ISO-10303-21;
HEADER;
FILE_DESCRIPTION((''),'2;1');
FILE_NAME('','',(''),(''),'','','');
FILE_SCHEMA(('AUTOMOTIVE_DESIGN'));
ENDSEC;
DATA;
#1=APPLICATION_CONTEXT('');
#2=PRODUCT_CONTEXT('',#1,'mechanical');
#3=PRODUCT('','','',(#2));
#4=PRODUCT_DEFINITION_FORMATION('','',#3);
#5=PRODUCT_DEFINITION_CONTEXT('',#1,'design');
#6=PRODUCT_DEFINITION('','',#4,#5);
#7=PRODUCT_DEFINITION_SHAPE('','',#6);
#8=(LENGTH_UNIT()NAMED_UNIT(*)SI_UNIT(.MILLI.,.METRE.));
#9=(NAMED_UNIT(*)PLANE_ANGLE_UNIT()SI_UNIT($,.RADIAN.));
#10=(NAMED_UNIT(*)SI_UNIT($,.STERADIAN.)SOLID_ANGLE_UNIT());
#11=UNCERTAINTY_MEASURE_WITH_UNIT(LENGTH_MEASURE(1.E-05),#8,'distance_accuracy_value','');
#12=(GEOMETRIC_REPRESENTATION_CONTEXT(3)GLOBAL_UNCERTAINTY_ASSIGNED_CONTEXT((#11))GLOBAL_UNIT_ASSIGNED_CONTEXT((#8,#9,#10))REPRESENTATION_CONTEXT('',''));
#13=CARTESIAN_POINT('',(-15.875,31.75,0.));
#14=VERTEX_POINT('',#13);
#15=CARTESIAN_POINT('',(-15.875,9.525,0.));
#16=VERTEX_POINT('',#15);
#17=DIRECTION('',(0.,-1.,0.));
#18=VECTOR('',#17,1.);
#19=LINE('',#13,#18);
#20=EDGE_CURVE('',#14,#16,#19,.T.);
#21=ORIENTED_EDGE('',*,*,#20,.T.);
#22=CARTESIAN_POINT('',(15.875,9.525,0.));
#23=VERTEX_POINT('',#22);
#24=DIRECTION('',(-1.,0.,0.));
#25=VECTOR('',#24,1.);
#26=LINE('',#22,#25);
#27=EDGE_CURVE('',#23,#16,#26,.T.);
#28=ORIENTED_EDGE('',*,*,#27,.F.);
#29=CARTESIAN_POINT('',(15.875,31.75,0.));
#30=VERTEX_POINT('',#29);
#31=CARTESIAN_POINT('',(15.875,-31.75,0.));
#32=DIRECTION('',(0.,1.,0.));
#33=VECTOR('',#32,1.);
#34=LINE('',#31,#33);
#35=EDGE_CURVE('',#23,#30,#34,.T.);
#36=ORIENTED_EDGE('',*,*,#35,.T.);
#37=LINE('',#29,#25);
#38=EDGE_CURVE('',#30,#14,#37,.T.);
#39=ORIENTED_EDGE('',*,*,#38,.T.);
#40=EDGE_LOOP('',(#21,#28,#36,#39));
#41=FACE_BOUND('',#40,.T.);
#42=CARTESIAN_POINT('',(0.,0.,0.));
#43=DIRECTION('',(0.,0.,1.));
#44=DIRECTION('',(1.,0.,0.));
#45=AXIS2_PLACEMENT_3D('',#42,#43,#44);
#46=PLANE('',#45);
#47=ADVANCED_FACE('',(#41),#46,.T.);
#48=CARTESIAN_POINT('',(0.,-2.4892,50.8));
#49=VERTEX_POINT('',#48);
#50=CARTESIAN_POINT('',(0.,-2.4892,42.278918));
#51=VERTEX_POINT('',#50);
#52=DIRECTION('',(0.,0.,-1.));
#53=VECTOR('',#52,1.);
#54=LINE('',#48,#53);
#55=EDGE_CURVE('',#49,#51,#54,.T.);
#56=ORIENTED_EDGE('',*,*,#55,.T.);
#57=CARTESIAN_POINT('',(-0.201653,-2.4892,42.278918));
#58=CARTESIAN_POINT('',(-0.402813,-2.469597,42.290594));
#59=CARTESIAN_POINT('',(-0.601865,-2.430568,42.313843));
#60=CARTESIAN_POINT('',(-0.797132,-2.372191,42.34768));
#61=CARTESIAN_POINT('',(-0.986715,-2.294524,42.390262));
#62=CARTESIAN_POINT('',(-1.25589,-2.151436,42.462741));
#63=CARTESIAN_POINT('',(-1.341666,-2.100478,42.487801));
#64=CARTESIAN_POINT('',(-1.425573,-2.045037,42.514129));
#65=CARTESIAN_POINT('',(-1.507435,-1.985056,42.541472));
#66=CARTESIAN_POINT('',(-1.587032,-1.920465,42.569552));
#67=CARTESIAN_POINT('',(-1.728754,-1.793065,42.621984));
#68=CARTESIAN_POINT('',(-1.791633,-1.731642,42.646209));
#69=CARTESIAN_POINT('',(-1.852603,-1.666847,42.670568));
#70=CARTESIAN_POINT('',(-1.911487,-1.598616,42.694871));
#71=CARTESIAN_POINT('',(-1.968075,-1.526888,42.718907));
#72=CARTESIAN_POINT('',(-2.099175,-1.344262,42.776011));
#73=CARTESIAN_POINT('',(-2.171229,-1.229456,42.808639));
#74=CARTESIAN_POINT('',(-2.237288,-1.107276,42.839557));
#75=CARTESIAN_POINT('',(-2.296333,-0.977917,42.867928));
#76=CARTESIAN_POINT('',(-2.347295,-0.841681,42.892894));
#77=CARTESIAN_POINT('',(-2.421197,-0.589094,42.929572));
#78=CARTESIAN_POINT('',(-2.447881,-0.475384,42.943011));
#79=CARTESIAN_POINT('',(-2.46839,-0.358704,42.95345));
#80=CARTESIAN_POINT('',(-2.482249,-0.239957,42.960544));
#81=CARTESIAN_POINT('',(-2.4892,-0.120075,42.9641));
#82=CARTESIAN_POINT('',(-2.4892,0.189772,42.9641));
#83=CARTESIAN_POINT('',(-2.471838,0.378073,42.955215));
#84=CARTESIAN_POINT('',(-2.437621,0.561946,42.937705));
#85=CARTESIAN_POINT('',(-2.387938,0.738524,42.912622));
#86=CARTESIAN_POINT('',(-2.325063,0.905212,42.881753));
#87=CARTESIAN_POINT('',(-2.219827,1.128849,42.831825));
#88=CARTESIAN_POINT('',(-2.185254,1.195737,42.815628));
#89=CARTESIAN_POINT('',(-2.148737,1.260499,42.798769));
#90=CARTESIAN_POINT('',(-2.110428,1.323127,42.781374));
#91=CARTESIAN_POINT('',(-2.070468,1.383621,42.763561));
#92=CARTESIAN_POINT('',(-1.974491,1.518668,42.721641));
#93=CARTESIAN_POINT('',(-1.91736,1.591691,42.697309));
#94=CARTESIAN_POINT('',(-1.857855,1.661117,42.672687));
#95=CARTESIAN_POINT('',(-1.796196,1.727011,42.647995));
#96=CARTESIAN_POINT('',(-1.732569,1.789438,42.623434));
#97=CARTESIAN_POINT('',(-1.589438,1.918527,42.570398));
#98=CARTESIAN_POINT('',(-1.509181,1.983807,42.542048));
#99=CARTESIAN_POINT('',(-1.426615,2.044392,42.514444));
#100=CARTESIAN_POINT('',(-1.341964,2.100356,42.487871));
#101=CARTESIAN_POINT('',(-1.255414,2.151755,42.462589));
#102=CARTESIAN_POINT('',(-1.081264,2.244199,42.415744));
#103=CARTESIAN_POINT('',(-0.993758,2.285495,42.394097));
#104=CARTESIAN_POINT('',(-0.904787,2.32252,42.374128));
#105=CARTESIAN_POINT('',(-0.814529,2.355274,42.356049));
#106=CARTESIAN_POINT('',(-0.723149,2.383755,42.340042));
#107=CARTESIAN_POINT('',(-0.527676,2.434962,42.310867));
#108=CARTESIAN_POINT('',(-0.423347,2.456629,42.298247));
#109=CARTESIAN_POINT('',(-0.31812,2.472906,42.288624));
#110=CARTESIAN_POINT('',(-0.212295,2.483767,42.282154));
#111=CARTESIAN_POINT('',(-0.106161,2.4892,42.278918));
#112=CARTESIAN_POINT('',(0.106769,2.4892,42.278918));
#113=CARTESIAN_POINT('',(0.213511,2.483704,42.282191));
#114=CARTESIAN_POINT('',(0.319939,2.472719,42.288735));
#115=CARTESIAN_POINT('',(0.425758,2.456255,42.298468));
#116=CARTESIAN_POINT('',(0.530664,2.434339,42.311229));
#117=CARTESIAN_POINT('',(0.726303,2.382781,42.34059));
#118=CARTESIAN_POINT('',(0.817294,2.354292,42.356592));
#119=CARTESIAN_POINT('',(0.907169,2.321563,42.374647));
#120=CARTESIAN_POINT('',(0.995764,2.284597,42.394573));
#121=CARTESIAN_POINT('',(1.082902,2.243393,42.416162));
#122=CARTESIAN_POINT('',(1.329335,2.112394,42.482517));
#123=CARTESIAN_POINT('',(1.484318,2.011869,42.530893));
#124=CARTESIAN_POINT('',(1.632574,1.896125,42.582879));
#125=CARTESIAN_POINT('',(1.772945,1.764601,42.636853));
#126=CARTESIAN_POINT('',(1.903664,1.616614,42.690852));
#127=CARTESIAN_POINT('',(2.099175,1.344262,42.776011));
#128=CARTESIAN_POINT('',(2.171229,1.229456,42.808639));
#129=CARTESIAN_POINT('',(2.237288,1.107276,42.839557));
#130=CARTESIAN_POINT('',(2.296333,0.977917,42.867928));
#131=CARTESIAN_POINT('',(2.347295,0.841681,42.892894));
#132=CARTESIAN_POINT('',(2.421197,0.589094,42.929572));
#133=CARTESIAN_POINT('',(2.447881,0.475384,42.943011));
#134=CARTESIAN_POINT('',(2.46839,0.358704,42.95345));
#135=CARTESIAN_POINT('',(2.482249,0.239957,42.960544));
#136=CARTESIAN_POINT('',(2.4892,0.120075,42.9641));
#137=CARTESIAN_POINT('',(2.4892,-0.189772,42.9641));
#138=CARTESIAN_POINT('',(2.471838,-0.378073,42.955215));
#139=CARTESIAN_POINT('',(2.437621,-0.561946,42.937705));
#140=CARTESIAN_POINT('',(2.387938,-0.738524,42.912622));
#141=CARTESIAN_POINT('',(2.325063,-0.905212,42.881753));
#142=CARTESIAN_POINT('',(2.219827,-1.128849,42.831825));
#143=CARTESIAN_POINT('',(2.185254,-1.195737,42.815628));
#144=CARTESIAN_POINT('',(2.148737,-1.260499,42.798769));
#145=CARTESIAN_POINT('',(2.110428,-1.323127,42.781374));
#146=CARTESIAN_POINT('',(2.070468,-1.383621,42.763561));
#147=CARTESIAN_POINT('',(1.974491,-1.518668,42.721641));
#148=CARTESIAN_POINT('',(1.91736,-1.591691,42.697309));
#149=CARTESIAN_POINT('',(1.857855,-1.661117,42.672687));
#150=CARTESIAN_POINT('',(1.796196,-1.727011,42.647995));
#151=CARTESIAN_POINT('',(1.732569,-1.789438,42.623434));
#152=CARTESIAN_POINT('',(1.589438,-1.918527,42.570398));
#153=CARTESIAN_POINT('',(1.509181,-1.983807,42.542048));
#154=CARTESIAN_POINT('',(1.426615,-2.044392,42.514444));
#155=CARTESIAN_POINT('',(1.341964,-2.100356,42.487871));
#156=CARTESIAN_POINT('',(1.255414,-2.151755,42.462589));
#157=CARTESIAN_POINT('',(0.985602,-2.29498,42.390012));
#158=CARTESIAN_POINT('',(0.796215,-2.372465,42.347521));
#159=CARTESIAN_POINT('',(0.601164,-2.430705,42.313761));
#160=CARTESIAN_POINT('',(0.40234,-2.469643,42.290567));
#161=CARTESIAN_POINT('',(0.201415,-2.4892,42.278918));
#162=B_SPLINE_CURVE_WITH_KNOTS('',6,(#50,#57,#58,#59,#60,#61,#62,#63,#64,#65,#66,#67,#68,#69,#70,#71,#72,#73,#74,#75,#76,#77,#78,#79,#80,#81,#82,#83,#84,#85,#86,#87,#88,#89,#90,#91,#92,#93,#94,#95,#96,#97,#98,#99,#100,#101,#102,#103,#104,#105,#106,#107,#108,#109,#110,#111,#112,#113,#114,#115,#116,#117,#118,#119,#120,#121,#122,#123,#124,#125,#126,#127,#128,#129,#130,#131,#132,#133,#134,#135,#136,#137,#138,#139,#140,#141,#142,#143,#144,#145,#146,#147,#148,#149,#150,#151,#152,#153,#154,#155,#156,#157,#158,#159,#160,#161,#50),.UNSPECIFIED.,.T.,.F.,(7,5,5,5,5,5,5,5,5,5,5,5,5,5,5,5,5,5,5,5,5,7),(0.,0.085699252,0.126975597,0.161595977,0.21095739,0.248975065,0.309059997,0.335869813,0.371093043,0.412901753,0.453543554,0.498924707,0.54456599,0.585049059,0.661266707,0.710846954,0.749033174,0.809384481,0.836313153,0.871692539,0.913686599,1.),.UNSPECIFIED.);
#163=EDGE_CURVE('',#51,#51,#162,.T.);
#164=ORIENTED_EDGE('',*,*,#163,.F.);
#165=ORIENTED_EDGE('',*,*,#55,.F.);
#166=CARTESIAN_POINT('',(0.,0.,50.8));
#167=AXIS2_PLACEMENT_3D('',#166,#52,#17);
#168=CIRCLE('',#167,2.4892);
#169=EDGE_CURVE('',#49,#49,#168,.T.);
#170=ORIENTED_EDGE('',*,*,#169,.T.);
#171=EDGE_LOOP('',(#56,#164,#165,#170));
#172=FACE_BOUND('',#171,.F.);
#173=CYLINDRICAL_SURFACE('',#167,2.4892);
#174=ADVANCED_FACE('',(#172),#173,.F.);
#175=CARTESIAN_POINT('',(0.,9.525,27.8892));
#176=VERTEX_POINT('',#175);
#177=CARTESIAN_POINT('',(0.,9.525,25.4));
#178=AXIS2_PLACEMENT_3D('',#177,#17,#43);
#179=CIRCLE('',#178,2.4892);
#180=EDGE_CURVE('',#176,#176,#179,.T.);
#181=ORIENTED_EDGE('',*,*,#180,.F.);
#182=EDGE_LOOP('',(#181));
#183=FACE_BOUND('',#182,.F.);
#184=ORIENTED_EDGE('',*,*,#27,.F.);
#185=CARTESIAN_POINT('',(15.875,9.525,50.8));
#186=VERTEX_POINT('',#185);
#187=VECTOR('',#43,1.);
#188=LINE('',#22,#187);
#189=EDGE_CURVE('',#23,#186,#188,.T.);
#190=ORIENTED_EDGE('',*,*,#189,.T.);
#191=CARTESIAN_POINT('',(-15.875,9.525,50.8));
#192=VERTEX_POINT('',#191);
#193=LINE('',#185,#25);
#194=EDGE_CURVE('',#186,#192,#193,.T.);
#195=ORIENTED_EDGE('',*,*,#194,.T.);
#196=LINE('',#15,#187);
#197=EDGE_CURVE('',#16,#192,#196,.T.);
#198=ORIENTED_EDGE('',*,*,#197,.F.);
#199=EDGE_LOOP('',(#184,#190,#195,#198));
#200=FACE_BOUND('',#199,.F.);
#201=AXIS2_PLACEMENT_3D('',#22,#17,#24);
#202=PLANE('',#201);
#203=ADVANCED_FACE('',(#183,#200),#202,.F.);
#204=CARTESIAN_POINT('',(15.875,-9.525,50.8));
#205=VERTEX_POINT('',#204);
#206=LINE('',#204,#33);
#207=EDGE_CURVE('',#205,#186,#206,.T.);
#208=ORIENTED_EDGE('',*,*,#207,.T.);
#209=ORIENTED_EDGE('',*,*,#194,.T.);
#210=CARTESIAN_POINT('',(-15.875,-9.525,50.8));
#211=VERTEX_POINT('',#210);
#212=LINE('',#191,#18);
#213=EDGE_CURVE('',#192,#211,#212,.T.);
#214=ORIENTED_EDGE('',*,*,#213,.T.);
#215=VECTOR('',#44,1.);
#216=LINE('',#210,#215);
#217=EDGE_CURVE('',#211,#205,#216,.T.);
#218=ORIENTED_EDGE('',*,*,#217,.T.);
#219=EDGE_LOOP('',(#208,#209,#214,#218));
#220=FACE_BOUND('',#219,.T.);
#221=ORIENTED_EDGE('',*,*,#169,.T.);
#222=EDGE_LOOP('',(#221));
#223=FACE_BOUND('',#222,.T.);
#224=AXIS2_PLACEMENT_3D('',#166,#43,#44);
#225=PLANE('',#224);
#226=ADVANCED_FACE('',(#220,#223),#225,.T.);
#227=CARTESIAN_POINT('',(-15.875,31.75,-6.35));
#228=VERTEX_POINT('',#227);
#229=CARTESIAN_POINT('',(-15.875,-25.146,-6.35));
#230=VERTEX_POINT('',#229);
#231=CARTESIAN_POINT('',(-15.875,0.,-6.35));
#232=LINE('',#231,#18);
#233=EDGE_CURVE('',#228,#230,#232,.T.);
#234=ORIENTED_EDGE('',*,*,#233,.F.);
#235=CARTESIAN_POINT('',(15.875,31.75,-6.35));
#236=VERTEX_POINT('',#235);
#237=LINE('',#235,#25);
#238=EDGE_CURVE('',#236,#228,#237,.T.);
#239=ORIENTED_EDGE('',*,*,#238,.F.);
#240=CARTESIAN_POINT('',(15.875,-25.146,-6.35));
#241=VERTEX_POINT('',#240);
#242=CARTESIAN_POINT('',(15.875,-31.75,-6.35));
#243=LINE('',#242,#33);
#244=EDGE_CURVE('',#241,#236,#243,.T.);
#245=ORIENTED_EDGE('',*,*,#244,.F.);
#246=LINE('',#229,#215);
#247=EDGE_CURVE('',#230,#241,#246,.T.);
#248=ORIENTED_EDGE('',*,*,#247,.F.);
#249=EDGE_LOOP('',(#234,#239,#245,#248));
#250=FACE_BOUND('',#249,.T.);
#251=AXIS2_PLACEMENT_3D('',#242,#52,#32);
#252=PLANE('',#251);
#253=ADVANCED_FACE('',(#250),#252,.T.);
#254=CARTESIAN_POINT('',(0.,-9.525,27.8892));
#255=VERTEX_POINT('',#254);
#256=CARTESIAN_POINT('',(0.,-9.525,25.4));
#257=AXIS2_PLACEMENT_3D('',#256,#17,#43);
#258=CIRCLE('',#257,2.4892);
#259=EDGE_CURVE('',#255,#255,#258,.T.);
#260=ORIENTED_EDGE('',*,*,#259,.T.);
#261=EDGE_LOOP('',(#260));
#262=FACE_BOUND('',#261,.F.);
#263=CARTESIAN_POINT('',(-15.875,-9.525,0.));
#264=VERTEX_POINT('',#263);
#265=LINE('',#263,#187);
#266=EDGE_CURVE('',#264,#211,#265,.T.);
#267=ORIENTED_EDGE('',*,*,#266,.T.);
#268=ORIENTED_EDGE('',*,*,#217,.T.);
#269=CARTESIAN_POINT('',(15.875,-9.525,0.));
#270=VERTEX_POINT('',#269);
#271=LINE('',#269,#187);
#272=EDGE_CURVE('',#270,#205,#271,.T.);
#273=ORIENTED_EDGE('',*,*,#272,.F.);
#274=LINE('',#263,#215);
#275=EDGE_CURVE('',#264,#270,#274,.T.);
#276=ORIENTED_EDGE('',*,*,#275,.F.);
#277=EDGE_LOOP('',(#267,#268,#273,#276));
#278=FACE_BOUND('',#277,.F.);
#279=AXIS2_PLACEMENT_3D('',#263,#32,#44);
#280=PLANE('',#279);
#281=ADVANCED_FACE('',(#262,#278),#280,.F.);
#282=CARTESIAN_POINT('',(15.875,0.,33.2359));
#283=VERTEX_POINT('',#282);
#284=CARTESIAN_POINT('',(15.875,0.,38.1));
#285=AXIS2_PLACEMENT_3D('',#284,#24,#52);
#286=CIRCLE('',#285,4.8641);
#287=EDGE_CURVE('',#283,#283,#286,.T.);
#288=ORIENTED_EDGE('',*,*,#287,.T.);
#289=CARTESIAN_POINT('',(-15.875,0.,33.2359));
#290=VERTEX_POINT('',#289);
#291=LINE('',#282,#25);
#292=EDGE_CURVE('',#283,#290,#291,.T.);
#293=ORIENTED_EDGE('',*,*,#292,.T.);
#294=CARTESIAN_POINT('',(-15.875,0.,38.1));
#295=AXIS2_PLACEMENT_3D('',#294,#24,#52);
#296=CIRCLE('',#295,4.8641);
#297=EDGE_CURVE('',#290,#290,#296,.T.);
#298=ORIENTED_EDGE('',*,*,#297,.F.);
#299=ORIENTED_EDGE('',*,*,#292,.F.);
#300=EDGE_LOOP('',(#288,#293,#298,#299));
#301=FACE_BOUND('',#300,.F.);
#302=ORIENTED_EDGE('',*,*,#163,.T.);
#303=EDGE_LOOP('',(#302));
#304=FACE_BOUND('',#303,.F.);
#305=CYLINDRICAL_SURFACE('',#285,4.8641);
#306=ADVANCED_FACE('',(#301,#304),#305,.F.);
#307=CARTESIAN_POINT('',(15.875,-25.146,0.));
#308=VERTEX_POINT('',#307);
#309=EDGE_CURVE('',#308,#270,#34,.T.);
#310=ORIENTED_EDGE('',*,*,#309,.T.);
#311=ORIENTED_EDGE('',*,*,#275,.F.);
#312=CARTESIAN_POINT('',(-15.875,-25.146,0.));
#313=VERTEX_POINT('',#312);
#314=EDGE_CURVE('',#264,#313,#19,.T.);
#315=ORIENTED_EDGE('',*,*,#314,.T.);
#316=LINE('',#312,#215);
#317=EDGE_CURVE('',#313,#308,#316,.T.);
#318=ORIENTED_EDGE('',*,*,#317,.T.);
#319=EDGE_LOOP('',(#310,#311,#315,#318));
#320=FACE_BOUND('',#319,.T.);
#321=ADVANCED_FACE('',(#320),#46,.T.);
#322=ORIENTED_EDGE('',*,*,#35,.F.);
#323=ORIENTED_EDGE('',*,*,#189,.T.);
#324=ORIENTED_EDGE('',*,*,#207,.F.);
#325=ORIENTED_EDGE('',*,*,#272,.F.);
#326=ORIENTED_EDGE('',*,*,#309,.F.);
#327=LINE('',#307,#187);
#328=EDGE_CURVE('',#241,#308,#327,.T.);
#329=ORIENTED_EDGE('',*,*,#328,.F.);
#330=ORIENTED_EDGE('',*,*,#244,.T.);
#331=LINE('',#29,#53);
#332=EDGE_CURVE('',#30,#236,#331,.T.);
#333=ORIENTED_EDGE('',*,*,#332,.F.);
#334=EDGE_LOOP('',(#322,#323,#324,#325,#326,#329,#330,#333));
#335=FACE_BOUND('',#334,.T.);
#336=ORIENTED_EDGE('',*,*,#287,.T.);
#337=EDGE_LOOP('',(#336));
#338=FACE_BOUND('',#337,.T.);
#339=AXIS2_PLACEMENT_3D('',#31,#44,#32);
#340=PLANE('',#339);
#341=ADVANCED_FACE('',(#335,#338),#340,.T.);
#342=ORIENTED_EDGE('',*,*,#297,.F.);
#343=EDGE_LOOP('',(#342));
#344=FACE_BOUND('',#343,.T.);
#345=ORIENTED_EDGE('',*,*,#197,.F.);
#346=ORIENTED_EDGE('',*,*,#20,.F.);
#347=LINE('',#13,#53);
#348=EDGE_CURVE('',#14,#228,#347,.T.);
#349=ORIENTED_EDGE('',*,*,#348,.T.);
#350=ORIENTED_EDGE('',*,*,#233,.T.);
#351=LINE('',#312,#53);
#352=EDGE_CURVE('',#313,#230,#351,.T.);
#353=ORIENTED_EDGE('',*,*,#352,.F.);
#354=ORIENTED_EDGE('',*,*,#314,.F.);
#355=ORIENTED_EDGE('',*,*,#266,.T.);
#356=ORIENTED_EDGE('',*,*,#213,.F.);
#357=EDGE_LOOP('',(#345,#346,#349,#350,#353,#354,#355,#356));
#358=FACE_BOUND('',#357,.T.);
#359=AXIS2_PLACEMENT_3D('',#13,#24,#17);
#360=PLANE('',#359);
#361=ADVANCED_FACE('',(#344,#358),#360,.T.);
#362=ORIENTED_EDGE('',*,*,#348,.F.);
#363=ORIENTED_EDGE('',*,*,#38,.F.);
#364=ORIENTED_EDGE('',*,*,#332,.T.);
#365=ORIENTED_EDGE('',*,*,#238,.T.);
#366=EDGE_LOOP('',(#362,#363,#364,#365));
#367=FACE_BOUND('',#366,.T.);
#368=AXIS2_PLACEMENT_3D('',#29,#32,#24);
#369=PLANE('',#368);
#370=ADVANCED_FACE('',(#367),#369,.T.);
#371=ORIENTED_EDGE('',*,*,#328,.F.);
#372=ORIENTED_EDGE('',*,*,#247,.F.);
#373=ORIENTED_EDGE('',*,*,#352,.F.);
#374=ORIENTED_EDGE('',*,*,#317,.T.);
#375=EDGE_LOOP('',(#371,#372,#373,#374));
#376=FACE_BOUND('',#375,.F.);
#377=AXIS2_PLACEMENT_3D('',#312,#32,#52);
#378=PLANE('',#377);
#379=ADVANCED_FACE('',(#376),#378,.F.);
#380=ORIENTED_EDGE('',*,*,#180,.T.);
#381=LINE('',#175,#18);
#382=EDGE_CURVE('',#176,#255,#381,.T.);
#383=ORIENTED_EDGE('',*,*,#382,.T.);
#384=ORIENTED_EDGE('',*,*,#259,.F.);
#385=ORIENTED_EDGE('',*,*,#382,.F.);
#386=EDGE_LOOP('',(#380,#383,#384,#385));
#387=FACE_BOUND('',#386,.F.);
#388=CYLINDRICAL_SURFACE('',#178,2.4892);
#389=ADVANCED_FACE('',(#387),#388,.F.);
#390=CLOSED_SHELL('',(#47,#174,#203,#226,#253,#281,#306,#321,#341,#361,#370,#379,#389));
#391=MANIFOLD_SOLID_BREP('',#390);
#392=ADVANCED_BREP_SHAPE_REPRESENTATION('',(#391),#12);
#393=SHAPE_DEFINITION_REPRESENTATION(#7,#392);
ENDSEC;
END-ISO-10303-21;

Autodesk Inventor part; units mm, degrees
ref_plane "YZ Plane" through (0, 0, 0) normal (1, 0, 0) x (0, 1, 0)
ref_plane "XZ Plane" through (0, 0, 0) normal (0, 1, 0) x (-1, 0, 0)
ref_plane "XY Plane" through (0, 0, 0) normal (0, 0, 1) x (1, 0, 0)
sketch "Sketch1" plane through (0, 0, 0) normal (0, 0, 1) x (1, 0, 0)
  line L0 (-15.875, -31.75) -> (15.875, -31.75)
  line L1 (15.875, -31.75) -> (15.875, 31.75)
  line L2 (15.875, 31.75) -> (-15.875, 31.75)
  line L3 (-15.875, 31.75) -> (-15.875, -31.75)
  line L4 (-15.875, -31.75) -> (15.875, 31.75) construction
  line L5 (15.875, -31.75) -> (-15.875, 31.75) construction
  point P0 (0, 0)
  dimension "height" = 63.5
  dimension "width" = 31.75
extrude "Extrusion1" add sketch "Sketch1" against normal blind 12.7
sketch "Sketch3" plane through (0, 0, 0) normal (0, 0, 1) x (1, 0, 0)
  line L0 (-15.875, -9.525) -> (15.875, -9.525)
  line L1 (15.875, -9.525) -> (15.875, 9.525)
  line L2 (15.875, 9.525) -> (-15.875, 9.525)
  line L3 (-15.875, 9.525) -> (-15.875, -9.525)
  line L4 (-15.875, -9.525) -> (15.875, 9.525) construction
  line L5 (15.875, -9.525) -> (-15.875, 9.525) construction
  line L6 (15.875, 31.75) -> (-15.875, 31.75) projected
  point P0 (0, 0)
  dimension "Channel_Width" = 19.05
  dimension "d52" = 31.75
extrude "Extrusion3" add sketch "Sketch3" along normal blind 50.8
sketch "Sketch6" plane through (15.875, -31.75, -12.7) normal (1, 0, 0) x (0, 0, -1)
  line L0 (-12.7, 31.75) -> (-63.5, 31.75) construction
  line L1 (-63.5, 22.225) -> (-63.5, 41.275) construction
  line L2 (-12.7, 41.275) -> (-12.7, 63.5) construction
  point P0 (-50.8, 31.75)
  dimension "d53" = 38.1
hole "Hole5" at (15.875, 0, 38.1) direction (-1, 0, 0) diameter 9.7282 end through all thread size "7/16-20 UNF" class "2B" standard "ANSI Unified Screw Threads"
sketch "Sketch13" plane through (15.875, -31.75, -12.7) normal (1, 0, 0) x (0, 0, -1)
  line L0 (-12.7, 63.5) -> (0, 63.5) projected
  line L1 (0, 0) -> (-6.35, 0)
  line L2 (-6.35, 0) -> (-6.35, 63.5)
  line L3 (-6.35, 63.5) -> (0, 63.5)
  line L4 (0, 63.5) -> (0, 0)
  point P0 (-12.7, 31.75)
  dimension "d98" = 6.35
extrude "Extrusion5" cut sketch "Sketch13" against normal through all
sketch "Sketch14" plane through (-15.875, -31.75, 0) normal (-1, 0, 0) x (0, 0, 1)
  line L0 (0, 0) -> (-6.35, 0) projected
  line L1 (0, 0) -> (0, 22.225) projected
  line L2 (-6.35, 0) -> (0, 0)
  line L3 (0, 0) -> (0, 6.604)
  line L4 (0, 6.604) -> (-6.35, 6.604)
  line L5 (-6.35, 6.604) -> (-6.35, 0)
  point P0 (0, 31.75)
  dimension "d101" = 6.604
extrude "Extrusion6" cut sketch "Sketch14" against normal through all
sketch "Sketch15" plane through (-15.875, 9.525, 0) normal (0, 1, 0) x (1, 0, 0)
  line L0 (31.75, -50.8) -> (0, -50.8) projected
  point P0 (15.875, 0)
  point P1 (15.875, -25.4)
  dimension "d104" = 25.4
hole "Hole11" at (0, 9.525, 25.4) direction (0, -1, 0) diameter 4.9784 end through all thread size "1/4-20 UNC" class "2B" standard "ANSI Unified Screw Threads"
sketch "Sketch11" plane through (0, 0, 50.8) normal (0, 0, 1) x (1, 0, 0)
  point P0 (0, 0)
hole "Hole12" at (0, 0, 50.8) direction (0, 0, -1) diameter 4.9784 depth 12.7 tip angle 118 thread size "1/4-20 UNC" class "2B" standard "ANSI Unified Screw Threads"
sketch "Sketch10" plane through (0, 0, 50.8) normal (0, 0, 1) x (1, 0, 0)
  point P0 (0, 0)
sketch "Sketch12" plane through (-15.875, -9.525, 0) normal (0, -1, 0) x (1, 0, 0)
  point P0 (15.875, 15.875)
equation "\"d52\" = width"
properties part number "Support For Arms" material "Aluminum 6061"
